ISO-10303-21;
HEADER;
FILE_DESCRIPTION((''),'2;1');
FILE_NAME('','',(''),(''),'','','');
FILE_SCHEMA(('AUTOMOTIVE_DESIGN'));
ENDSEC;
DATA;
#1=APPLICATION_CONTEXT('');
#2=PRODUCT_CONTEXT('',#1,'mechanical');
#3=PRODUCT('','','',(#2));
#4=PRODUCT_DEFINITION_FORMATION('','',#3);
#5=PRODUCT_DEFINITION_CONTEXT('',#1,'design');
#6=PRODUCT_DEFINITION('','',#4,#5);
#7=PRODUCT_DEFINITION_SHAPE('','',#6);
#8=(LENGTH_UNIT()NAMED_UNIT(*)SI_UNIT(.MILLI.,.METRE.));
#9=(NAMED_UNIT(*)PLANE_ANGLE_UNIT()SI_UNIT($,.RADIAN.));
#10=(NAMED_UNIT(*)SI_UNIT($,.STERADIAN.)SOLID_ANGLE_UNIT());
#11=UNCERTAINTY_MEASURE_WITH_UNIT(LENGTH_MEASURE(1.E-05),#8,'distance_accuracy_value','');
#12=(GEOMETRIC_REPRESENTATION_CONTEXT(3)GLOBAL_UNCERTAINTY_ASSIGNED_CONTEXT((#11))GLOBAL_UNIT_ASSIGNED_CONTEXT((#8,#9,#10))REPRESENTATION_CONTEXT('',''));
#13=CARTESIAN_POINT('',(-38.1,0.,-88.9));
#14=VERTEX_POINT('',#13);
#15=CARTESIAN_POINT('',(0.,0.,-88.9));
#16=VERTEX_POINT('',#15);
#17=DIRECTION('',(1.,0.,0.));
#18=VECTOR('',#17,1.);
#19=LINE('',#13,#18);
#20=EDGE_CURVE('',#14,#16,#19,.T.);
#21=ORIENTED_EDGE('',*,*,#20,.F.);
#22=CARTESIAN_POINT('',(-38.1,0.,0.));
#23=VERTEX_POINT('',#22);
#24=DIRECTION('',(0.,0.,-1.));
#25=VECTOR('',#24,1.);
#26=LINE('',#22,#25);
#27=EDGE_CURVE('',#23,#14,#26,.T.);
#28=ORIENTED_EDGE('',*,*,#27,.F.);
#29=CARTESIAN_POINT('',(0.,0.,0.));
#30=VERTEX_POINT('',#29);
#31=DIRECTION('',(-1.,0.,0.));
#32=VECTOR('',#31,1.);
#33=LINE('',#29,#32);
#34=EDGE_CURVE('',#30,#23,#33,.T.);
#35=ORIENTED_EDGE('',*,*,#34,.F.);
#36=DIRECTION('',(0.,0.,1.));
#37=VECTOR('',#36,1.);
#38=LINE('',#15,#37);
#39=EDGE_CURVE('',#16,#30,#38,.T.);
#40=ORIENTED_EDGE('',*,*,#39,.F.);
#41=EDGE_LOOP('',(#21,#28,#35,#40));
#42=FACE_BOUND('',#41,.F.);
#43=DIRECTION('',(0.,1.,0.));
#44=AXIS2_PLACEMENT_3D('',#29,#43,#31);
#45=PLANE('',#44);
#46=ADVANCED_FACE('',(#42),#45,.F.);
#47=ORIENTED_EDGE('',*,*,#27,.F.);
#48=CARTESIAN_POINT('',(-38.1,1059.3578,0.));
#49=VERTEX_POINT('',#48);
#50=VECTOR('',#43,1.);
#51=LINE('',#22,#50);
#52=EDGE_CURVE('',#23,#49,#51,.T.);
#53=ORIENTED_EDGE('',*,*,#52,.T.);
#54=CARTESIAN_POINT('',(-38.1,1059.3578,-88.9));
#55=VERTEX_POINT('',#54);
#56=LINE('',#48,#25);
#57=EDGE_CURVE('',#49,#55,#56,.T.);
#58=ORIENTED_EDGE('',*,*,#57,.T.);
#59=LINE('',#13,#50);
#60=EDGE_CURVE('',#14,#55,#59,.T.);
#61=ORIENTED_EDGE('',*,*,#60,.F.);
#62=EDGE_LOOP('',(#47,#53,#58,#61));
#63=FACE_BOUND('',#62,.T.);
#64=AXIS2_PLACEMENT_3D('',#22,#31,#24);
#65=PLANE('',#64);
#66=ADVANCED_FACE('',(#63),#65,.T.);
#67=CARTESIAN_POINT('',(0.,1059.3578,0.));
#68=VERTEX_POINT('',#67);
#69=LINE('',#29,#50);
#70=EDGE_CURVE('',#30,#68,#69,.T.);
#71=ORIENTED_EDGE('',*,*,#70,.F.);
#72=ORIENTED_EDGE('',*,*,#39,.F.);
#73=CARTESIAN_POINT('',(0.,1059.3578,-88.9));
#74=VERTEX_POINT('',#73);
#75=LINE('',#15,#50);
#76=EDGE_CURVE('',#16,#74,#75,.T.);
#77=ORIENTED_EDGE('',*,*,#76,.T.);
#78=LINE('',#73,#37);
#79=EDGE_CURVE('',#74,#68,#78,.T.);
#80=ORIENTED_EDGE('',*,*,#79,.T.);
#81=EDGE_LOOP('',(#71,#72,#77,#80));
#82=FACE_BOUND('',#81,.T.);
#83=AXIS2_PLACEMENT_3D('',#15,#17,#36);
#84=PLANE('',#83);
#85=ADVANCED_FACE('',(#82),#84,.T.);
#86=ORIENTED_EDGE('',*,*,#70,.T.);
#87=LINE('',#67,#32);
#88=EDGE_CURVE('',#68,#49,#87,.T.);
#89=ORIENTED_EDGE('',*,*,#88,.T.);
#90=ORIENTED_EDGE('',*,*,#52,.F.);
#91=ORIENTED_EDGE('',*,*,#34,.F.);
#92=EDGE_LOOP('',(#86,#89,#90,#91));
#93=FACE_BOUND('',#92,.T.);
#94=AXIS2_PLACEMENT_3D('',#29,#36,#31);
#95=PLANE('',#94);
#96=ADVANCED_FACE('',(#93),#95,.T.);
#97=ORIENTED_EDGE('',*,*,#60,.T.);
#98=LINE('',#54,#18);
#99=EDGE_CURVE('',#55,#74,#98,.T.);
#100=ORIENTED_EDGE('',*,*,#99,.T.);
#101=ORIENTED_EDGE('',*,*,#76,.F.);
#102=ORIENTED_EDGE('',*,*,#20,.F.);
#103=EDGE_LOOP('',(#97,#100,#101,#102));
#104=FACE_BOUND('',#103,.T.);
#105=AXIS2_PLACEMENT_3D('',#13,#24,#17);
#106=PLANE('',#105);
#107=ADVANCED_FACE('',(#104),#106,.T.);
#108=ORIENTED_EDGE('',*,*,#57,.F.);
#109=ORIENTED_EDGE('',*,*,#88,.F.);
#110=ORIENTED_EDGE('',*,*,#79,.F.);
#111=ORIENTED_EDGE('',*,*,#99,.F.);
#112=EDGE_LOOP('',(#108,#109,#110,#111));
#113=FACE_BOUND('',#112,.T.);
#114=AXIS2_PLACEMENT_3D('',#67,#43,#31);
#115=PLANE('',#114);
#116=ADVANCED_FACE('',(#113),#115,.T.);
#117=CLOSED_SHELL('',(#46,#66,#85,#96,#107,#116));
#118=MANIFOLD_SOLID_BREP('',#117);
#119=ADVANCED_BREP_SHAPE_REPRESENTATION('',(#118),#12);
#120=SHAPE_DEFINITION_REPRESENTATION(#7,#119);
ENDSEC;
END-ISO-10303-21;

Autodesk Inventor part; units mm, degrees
ref_plane "YZ Plane" through (0, 0, 0) normal (1, 0, 0) x (0, 1, 0)
ref_plane "XZ Plane" through (0, 0, 0) normal (0, 1, 0) x (-1, 0, 0)
ref_plane "XY Plane" through (0, 0, 0) normal (0, 0, 1) x (1, 0, 0)
sketch "Sketch1" plane through (0, 0, 0) normal (0, 1, 0) x (-1, 0, 0)
  line L0 (0, 0) -> (38.1, 0)
  line L1 (38.1, 0) -> (38.1, -88.9)
  line L2 (38.1, -88.9) -> (0, -88.9)
  line L3 (0, -88.9) -> (0, 0)
  dimension "d0" = 88.9
  dimension "d1" = 38.1
extrude "Extrusion1" add sketch "Sketch1" along normal blind 1059.3578
properties part number "Stud_With_Height_41.707_Inches" material "Wood (Birch)"
